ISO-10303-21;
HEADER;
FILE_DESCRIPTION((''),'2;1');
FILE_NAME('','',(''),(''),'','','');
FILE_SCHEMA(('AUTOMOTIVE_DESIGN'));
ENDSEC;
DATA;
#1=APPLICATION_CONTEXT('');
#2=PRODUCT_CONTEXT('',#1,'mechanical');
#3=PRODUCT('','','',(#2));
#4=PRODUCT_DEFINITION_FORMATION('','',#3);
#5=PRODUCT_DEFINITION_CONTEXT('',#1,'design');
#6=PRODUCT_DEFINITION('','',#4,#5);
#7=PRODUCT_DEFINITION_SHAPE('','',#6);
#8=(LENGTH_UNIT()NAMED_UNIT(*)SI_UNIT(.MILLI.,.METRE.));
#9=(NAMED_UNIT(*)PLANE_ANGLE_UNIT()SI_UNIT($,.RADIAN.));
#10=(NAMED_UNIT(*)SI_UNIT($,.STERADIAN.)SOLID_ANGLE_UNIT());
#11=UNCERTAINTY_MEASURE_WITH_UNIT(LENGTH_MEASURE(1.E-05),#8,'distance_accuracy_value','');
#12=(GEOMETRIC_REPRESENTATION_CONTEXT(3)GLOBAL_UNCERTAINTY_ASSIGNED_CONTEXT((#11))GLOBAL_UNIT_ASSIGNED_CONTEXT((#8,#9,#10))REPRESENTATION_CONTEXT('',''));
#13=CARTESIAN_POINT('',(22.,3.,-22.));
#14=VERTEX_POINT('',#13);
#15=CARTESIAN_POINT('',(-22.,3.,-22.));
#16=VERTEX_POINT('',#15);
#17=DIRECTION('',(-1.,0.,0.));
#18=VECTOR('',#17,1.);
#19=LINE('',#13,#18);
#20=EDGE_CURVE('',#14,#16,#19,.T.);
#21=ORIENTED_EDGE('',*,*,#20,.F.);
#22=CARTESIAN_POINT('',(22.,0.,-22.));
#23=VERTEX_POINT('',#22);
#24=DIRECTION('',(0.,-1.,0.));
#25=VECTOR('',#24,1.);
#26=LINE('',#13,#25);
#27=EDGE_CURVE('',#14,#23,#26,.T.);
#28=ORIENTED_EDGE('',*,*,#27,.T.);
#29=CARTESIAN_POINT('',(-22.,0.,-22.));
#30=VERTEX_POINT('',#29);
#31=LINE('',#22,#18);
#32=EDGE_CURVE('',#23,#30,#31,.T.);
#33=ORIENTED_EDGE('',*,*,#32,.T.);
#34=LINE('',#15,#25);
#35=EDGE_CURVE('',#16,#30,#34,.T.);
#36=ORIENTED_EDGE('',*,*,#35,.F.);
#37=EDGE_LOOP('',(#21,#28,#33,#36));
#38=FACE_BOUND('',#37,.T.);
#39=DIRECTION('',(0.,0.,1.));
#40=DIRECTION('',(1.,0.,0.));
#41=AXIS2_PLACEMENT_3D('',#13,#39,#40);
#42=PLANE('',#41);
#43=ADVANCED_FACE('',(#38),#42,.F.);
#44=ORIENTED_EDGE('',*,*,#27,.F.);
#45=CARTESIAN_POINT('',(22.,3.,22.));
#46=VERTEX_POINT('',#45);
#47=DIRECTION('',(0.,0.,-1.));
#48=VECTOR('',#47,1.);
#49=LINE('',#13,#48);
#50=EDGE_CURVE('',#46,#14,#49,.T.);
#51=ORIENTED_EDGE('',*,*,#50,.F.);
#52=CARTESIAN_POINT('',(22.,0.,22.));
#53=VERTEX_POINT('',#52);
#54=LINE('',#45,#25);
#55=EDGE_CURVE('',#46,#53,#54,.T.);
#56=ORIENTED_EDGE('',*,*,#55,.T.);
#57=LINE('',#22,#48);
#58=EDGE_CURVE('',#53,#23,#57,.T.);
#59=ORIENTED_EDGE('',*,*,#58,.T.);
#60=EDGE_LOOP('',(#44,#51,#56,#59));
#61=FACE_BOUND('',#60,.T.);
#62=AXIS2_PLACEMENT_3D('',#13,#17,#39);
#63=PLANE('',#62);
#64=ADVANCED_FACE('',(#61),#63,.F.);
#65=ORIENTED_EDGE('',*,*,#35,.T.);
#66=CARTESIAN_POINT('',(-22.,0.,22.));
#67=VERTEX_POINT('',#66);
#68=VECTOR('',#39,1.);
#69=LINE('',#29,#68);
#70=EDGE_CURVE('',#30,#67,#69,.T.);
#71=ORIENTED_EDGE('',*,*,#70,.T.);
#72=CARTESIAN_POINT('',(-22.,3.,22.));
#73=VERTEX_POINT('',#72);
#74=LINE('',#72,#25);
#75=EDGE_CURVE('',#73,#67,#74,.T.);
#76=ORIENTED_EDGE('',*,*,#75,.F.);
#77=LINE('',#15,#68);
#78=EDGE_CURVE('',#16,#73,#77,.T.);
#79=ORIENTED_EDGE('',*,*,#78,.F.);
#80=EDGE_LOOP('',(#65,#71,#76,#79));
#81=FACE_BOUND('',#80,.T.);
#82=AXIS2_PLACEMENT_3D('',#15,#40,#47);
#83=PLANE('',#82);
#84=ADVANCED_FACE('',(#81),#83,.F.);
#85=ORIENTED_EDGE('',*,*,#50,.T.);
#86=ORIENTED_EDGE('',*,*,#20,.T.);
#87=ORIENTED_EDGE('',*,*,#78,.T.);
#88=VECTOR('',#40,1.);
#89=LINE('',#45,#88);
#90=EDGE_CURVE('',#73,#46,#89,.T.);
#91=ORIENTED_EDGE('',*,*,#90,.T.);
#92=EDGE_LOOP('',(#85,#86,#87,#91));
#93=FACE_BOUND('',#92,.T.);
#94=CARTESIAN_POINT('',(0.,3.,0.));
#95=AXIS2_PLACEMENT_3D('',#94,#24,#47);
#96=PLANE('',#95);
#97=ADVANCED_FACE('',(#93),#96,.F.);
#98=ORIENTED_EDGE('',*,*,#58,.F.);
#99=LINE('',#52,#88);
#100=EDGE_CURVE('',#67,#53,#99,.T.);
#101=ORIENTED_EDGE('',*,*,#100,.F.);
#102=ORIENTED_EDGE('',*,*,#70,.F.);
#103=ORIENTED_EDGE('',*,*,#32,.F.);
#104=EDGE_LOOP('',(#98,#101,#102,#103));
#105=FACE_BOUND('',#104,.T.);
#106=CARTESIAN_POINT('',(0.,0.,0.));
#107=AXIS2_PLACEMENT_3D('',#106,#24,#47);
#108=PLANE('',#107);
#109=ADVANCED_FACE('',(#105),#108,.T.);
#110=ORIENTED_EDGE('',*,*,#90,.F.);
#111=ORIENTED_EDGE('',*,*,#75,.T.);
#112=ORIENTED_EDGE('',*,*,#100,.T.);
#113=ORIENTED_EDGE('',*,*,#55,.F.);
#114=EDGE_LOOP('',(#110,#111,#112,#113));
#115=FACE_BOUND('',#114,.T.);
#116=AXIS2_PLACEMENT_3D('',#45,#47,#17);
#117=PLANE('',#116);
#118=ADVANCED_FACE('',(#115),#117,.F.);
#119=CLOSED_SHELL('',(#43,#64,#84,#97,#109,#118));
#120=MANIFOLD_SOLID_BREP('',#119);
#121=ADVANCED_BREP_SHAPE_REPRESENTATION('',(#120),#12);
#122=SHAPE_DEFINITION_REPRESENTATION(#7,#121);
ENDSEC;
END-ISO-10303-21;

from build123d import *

# Parameters (mm, degrees)
ESQUISSE1_W        = 44
ESQUISSE1_H        = 44
BOSS_EXTRU_1_DEPTH = 3


with BuildPart() as part:
    # Esquisse1 → Boss.-Extru.1 (new body)
    with BuildSketch(Plane(origin=(0, 0, 0), x_dir=(1, 0, 0), z_dir=(0, 1, 0))):
        Rectangle(ESQUISSE1_W, ESQUISSE1_H)
    extrude(amount=BOSS_EXTRU_1_DEPTH)


solid = part.part
